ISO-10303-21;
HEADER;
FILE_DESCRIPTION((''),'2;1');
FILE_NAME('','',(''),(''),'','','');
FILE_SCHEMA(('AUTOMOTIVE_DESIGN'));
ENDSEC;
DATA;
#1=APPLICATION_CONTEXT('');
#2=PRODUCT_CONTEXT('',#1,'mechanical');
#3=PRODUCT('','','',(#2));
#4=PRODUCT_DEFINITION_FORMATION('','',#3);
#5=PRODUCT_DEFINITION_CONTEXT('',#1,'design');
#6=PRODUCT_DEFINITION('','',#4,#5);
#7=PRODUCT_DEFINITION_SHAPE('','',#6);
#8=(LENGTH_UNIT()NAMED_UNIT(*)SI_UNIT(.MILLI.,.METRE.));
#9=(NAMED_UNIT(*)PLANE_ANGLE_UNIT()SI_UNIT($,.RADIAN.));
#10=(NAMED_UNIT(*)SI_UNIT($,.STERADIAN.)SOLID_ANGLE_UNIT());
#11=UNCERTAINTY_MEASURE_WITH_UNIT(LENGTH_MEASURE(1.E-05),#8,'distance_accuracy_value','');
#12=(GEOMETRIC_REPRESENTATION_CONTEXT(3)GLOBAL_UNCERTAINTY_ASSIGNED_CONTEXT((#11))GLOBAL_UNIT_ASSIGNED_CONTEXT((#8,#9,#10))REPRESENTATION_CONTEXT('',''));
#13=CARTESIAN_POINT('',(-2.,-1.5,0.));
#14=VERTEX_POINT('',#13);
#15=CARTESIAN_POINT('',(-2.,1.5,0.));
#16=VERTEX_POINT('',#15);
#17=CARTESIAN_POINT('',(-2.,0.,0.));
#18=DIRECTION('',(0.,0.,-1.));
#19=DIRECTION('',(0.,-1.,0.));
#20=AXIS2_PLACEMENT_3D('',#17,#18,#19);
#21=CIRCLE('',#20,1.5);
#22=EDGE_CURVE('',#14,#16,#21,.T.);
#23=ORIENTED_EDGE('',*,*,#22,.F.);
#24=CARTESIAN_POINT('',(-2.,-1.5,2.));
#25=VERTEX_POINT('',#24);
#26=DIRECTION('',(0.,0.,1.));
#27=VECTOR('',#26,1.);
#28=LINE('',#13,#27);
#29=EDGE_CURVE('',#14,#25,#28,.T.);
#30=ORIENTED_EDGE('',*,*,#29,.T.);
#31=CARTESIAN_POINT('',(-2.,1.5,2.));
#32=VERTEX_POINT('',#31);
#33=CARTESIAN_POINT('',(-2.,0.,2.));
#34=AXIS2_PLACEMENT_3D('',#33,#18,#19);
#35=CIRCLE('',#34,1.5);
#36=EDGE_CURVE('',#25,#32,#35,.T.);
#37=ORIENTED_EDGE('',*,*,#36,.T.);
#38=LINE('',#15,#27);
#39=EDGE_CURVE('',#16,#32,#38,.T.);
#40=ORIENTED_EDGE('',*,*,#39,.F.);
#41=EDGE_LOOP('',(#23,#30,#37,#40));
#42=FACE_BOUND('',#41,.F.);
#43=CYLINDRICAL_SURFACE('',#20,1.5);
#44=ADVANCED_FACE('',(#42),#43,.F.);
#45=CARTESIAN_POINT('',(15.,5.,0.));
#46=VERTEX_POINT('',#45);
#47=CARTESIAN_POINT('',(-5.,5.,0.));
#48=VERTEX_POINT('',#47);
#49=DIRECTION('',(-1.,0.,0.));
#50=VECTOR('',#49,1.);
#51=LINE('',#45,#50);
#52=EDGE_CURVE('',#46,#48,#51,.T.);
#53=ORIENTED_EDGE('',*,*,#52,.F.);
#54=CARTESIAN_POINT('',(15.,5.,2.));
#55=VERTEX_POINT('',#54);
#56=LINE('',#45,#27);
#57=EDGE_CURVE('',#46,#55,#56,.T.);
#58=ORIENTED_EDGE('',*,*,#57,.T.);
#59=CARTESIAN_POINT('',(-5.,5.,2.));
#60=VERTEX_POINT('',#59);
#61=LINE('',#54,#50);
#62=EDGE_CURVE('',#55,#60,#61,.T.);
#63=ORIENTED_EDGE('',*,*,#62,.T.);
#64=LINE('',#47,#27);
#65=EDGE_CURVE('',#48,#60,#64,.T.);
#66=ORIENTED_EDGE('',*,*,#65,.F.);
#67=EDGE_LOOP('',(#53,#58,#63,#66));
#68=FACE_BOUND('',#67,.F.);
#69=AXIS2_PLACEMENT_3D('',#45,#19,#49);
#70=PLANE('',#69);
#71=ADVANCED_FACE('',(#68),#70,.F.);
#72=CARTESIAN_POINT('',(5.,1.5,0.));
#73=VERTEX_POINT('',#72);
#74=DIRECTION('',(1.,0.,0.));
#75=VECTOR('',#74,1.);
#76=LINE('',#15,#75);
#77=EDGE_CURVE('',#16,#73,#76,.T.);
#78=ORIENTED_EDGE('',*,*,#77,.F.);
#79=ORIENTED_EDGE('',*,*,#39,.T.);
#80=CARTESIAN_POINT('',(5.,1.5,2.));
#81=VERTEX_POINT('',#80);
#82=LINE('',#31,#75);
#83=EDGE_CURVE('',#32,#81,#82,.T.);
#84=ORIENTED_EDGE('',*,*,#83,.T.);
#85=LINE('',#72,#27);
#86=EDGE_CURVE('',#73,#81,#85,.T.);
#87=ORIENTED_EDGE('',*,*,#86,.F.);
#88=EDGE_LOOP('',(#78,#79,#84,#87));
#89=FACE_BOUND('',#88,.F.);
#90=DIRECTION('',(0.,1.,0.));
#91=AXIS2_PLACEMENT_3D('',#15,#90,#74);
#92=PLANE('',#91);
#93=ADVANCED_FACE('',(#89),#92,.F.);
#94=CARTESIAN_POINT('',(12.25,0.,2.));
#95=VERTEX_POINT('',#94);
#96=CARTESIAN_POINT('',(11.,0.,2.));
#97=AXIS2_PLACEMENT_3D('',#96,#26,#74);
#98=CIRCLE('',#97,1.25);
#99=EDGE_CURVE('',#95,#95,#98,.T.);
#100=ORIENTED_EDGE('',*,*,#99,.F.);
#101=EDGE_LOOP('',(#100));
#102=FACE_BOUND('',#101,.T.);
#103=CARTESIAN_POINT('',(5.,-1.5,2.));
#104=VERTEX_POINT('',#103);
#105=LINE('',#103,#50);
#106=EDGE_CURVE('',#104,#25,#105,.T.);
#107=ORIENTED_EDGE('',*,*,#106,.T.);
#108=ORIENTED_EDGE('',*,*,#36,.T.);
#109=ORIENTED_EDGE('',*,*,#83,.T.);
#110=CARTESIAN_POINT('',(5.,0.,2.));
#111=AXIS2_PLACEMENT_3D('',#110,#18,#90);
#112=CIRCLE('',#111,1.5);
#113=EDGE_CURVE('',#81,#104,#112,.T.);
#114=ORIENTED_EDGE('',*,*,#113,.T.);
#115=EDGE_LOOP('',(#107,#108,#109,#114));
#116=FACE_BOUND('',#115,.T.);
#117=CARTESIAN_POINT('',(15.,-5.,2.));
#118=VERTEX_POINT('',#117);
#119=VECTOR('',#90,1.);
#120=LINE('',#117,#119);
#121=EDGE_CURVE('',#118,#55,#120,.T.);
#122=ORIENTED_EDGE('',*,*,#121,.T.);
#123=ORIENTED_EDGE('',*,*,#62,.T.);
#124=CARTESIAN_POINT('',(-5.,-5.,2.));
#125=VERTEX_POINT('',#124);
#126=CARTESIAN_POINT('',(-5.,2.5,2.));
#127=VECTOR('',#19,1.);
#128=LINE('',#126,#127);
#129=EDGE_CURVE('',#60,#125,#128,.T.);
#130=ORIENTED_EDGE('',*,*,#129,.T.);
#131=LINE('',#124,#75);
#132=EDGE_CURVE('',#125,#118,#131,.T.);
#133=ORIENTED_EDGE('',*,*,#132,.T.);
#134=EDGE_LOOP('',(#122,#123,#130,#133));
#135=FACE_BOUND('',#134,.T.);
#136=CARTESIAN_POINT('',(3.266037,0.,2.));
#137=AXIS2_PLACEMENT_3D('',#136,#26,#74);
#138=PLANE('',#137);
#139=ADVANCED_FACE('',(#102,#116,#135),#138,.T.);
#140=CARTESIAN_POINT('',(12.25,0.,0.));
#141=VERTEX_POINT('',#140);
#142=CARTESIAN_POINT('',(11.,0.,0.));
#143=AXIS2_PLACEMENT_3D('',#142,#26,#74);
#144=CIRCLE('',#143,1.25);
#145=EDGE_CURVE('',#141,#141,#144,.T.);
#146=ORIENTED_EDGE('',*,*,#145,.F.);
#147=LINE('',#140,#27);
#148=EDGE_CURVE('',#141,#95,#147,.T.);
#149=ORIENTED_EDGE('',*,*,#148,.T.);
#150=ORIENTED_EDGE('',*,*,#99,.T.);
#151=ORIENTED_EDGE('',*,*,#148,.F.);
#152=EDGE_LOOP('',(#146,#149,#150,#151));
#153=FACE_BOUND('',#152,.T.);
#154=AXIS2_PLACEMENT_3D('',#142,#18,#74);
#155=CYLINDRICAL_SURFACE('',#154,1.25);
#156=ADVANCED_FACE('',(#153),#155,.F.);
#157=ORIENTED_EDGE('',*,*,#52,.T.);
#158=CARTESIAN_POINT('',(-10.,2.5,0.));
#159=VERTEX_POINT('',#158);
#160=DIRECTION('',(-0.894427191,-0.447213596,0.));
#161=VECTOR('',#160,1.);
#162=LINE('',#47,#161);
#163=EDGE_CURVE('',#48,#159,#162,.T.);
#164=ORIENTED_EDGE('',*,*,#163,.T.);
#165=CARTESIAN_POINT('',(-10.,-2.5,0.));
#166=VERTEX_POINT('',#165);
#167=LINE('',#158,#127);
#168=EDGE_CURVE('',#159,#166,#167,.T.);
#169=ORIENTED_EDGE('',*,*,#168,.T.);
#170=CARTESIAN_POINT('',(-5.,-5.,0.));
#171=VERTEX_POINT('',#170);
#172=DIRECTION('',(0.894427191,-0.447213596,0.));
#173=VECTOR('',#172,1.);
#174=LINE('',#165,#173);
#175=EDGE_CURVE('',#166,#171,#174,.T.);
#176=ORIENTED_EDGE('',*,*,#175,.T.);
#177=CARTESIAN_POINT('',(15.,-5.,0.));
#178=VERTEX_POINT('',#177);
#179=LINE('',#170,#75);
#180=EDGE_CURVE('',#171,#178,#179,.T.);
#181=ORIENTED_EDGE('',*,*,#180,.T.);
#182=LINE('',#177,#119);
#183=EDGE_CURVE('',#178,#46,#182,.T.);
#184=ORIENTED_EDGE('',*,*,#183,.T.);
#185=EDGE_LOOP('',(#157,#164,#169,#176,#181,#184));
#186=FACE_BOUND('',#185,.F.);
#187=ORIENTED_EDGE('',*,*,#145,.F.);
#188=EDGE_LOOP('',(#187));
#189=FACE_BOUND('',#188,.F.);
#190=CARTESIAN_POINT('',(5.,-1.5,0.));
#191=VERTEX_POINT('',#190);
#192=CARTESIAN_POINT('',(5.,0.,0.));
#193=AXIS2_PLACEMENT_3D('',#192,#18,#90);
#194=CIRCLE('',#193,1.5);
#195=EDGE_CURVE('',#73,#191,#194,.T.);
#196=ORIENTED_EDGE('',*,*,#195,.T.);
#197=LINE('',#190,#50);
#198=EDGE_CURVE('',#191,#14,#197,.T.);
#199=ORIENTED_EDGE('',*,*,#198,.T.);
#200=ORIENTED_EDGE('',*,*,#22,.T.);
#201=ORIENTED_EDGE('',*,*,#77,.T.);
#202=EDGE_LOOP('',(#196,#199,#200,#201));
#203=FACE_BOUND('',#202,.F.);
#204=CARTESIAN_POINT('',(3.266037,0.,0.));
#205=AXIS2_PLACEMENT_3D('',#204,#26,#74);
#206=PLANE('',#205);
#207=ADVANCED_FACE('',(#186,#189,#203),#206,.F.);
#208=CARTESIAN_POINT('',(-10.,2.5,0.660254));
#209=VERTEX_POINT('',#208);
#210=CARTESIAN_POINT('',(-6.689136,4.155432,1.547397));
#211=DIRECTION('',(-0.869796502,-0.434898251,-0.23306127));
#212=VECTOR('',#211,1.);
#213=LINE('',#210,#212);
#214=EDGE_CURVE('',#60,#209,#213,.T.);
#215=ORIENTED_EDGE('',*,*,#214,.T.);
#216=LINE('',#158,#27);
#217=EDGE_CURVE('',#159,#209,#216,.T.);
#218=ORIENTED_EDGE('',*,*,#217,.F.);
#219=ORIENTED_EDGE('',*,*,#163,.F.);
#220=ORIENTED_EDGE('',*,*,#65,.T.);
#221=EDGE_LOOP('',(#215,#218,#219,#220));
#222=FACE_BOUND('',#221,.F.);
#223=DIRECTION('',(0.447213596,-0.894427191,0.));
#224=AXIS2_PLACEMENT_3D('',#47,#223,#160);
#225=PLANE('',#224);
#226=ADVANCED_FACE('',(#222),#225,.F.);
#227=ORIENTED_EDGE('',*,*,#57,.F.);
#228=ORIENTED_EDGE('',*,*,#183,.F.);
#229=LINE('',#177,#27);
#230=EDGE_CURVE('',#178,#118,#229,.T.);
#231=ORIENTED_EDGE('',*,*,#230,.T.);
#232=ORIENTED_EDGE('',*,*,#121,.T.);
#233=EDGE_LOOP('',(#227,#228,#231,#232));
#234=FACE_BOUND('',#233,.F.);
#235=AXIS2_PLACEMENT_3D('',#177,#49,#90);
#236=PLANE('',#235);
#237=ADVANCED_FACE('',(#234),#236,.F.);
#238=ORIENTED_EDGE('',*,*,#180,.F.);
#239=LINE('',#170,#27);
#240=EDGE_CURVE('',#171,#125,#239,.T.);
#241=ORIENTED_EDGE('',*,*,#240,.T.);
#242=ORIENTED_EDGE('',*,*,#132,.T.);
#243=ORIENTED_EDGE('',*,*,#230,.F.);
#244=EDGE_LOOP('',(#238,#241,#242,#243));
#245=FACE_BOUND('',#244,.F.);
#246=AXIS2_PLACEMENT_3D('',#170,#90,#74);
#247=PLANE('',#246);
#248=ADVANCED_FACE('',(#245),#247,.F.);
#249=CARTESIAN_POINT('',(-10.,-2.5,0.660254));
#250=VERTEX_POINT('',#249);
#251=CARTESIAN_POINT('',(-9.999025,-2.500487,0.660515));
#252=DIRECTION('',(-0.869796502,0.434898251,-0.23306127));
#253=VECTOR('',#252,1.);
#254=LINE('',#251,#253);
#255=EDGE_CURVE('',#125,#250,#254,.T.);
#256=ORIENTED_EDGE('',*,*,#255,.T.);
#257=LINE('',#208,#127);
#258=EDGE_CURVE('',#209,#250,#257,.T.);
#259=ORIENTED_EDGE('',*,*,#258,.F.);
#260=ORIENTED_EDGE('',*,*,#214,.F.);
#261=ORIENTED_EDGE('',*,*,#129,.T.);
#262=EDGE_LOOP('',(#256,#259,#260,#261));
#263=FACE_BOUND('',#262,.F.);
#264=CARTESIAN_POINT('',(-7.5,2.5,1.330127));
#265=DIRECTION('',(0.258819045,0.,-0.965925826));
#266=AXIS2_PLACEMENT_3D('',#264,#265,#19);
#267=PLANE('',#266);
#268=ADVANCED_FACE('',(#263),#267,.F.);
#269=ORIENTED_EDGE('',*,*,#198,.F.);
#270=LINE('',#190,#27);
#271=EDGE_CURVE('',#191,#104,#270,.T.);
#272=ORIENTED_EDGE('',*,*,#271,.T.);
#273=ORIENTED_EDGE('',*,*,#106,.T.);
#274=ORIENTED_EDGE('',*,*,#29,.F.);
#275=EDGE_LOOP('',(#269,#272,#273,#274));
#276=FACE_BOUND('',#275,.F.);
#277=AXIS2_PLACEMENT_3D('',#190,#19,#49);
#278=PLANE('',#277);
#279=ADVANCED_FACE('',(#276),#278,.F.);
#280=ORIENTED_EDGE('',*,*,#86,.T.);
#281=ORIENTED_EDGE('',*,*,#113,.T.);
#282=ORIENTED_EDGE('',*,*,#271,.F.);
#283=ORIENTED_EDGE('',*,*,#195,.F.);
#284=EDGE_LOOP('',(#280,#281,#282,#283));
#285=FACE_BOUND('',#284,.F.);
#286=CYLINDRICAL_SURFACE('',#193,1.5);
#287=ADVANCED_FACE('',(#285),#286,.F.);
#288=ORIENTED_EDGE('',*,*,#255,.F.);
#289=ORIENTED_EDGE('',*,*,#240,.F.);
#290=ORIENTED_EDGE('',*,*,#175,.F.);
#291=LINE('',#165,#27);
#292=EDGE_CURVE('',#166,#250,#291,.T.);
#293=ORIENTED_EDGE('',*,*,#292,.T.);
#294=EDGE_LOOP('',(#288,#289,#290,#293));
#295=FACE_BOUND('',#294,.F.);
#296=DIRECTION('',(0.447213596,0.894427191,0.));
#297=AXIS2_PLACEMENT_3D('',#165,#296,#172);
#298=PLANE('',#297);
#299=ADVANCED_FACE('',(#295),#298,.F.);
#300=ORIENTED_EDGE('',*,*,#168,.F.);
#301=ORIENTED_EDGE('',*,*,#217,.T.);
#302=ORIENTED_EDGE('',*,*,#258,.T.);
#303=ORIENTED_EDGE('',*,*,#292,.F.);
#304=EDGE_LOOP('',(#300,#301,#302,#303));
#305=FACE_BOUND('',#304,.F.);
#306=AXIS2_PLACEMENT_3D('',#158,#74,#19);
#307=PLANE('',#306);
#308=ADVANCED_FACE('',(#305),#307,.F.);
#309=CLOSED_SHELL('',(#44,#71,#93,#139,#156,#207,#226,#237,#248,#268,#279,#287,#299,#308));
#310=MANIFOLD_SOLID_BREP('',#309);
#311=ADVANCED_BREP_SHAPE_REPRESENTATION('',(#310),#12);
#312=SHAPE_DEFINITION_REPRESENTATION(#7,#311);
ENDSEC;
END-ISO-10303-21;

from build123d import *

# Parameters (mm, degrees)
F0_R     = 1.25
F1_DEPTH = 2
F2_SIZE2 = 1.3397459622
F2_SIZE  = 5


with BuildPart() as f1:
    # F0 (on Top) → F1 (new body)
    with BuildSketch(Plane.XY):
        Polygon((15, -5), (15, 5), (-5, 5), (-10, 2.5), (-10, -2.5), (-5, -5), align=None)
        with BuildLine():
            ThreePointArc((-2, -1.5), (-3.5, 0), (-2, 1.5))
            Line((-2, 1.5), (5, 1.5))
            ThreePointArc((5, 1.5), (6.5, 0), (5, -1.5))
            Line((5, -1.5), (-2, -1.5))
        make_face(mode=Mode.SUBTRACT)
        with Locations((11, 0)):
            Circle(F0_R, mode=Mode.SUBTRACT)
    extrude(amount=F1_DEPTH)

    # F2
    f2_edges = [f1.edges().sort_by_distance(p)[0] for p in [
        (-10, 0, 2),
    ]]
    f2_side = f1.faces().sort_by_distance((14.730742, 0, 2))[0]
    chamfer(f2_edges, length=F2_SIZE, length2=F2_SIZE2, reference=f2_side)


solid = f1.part
